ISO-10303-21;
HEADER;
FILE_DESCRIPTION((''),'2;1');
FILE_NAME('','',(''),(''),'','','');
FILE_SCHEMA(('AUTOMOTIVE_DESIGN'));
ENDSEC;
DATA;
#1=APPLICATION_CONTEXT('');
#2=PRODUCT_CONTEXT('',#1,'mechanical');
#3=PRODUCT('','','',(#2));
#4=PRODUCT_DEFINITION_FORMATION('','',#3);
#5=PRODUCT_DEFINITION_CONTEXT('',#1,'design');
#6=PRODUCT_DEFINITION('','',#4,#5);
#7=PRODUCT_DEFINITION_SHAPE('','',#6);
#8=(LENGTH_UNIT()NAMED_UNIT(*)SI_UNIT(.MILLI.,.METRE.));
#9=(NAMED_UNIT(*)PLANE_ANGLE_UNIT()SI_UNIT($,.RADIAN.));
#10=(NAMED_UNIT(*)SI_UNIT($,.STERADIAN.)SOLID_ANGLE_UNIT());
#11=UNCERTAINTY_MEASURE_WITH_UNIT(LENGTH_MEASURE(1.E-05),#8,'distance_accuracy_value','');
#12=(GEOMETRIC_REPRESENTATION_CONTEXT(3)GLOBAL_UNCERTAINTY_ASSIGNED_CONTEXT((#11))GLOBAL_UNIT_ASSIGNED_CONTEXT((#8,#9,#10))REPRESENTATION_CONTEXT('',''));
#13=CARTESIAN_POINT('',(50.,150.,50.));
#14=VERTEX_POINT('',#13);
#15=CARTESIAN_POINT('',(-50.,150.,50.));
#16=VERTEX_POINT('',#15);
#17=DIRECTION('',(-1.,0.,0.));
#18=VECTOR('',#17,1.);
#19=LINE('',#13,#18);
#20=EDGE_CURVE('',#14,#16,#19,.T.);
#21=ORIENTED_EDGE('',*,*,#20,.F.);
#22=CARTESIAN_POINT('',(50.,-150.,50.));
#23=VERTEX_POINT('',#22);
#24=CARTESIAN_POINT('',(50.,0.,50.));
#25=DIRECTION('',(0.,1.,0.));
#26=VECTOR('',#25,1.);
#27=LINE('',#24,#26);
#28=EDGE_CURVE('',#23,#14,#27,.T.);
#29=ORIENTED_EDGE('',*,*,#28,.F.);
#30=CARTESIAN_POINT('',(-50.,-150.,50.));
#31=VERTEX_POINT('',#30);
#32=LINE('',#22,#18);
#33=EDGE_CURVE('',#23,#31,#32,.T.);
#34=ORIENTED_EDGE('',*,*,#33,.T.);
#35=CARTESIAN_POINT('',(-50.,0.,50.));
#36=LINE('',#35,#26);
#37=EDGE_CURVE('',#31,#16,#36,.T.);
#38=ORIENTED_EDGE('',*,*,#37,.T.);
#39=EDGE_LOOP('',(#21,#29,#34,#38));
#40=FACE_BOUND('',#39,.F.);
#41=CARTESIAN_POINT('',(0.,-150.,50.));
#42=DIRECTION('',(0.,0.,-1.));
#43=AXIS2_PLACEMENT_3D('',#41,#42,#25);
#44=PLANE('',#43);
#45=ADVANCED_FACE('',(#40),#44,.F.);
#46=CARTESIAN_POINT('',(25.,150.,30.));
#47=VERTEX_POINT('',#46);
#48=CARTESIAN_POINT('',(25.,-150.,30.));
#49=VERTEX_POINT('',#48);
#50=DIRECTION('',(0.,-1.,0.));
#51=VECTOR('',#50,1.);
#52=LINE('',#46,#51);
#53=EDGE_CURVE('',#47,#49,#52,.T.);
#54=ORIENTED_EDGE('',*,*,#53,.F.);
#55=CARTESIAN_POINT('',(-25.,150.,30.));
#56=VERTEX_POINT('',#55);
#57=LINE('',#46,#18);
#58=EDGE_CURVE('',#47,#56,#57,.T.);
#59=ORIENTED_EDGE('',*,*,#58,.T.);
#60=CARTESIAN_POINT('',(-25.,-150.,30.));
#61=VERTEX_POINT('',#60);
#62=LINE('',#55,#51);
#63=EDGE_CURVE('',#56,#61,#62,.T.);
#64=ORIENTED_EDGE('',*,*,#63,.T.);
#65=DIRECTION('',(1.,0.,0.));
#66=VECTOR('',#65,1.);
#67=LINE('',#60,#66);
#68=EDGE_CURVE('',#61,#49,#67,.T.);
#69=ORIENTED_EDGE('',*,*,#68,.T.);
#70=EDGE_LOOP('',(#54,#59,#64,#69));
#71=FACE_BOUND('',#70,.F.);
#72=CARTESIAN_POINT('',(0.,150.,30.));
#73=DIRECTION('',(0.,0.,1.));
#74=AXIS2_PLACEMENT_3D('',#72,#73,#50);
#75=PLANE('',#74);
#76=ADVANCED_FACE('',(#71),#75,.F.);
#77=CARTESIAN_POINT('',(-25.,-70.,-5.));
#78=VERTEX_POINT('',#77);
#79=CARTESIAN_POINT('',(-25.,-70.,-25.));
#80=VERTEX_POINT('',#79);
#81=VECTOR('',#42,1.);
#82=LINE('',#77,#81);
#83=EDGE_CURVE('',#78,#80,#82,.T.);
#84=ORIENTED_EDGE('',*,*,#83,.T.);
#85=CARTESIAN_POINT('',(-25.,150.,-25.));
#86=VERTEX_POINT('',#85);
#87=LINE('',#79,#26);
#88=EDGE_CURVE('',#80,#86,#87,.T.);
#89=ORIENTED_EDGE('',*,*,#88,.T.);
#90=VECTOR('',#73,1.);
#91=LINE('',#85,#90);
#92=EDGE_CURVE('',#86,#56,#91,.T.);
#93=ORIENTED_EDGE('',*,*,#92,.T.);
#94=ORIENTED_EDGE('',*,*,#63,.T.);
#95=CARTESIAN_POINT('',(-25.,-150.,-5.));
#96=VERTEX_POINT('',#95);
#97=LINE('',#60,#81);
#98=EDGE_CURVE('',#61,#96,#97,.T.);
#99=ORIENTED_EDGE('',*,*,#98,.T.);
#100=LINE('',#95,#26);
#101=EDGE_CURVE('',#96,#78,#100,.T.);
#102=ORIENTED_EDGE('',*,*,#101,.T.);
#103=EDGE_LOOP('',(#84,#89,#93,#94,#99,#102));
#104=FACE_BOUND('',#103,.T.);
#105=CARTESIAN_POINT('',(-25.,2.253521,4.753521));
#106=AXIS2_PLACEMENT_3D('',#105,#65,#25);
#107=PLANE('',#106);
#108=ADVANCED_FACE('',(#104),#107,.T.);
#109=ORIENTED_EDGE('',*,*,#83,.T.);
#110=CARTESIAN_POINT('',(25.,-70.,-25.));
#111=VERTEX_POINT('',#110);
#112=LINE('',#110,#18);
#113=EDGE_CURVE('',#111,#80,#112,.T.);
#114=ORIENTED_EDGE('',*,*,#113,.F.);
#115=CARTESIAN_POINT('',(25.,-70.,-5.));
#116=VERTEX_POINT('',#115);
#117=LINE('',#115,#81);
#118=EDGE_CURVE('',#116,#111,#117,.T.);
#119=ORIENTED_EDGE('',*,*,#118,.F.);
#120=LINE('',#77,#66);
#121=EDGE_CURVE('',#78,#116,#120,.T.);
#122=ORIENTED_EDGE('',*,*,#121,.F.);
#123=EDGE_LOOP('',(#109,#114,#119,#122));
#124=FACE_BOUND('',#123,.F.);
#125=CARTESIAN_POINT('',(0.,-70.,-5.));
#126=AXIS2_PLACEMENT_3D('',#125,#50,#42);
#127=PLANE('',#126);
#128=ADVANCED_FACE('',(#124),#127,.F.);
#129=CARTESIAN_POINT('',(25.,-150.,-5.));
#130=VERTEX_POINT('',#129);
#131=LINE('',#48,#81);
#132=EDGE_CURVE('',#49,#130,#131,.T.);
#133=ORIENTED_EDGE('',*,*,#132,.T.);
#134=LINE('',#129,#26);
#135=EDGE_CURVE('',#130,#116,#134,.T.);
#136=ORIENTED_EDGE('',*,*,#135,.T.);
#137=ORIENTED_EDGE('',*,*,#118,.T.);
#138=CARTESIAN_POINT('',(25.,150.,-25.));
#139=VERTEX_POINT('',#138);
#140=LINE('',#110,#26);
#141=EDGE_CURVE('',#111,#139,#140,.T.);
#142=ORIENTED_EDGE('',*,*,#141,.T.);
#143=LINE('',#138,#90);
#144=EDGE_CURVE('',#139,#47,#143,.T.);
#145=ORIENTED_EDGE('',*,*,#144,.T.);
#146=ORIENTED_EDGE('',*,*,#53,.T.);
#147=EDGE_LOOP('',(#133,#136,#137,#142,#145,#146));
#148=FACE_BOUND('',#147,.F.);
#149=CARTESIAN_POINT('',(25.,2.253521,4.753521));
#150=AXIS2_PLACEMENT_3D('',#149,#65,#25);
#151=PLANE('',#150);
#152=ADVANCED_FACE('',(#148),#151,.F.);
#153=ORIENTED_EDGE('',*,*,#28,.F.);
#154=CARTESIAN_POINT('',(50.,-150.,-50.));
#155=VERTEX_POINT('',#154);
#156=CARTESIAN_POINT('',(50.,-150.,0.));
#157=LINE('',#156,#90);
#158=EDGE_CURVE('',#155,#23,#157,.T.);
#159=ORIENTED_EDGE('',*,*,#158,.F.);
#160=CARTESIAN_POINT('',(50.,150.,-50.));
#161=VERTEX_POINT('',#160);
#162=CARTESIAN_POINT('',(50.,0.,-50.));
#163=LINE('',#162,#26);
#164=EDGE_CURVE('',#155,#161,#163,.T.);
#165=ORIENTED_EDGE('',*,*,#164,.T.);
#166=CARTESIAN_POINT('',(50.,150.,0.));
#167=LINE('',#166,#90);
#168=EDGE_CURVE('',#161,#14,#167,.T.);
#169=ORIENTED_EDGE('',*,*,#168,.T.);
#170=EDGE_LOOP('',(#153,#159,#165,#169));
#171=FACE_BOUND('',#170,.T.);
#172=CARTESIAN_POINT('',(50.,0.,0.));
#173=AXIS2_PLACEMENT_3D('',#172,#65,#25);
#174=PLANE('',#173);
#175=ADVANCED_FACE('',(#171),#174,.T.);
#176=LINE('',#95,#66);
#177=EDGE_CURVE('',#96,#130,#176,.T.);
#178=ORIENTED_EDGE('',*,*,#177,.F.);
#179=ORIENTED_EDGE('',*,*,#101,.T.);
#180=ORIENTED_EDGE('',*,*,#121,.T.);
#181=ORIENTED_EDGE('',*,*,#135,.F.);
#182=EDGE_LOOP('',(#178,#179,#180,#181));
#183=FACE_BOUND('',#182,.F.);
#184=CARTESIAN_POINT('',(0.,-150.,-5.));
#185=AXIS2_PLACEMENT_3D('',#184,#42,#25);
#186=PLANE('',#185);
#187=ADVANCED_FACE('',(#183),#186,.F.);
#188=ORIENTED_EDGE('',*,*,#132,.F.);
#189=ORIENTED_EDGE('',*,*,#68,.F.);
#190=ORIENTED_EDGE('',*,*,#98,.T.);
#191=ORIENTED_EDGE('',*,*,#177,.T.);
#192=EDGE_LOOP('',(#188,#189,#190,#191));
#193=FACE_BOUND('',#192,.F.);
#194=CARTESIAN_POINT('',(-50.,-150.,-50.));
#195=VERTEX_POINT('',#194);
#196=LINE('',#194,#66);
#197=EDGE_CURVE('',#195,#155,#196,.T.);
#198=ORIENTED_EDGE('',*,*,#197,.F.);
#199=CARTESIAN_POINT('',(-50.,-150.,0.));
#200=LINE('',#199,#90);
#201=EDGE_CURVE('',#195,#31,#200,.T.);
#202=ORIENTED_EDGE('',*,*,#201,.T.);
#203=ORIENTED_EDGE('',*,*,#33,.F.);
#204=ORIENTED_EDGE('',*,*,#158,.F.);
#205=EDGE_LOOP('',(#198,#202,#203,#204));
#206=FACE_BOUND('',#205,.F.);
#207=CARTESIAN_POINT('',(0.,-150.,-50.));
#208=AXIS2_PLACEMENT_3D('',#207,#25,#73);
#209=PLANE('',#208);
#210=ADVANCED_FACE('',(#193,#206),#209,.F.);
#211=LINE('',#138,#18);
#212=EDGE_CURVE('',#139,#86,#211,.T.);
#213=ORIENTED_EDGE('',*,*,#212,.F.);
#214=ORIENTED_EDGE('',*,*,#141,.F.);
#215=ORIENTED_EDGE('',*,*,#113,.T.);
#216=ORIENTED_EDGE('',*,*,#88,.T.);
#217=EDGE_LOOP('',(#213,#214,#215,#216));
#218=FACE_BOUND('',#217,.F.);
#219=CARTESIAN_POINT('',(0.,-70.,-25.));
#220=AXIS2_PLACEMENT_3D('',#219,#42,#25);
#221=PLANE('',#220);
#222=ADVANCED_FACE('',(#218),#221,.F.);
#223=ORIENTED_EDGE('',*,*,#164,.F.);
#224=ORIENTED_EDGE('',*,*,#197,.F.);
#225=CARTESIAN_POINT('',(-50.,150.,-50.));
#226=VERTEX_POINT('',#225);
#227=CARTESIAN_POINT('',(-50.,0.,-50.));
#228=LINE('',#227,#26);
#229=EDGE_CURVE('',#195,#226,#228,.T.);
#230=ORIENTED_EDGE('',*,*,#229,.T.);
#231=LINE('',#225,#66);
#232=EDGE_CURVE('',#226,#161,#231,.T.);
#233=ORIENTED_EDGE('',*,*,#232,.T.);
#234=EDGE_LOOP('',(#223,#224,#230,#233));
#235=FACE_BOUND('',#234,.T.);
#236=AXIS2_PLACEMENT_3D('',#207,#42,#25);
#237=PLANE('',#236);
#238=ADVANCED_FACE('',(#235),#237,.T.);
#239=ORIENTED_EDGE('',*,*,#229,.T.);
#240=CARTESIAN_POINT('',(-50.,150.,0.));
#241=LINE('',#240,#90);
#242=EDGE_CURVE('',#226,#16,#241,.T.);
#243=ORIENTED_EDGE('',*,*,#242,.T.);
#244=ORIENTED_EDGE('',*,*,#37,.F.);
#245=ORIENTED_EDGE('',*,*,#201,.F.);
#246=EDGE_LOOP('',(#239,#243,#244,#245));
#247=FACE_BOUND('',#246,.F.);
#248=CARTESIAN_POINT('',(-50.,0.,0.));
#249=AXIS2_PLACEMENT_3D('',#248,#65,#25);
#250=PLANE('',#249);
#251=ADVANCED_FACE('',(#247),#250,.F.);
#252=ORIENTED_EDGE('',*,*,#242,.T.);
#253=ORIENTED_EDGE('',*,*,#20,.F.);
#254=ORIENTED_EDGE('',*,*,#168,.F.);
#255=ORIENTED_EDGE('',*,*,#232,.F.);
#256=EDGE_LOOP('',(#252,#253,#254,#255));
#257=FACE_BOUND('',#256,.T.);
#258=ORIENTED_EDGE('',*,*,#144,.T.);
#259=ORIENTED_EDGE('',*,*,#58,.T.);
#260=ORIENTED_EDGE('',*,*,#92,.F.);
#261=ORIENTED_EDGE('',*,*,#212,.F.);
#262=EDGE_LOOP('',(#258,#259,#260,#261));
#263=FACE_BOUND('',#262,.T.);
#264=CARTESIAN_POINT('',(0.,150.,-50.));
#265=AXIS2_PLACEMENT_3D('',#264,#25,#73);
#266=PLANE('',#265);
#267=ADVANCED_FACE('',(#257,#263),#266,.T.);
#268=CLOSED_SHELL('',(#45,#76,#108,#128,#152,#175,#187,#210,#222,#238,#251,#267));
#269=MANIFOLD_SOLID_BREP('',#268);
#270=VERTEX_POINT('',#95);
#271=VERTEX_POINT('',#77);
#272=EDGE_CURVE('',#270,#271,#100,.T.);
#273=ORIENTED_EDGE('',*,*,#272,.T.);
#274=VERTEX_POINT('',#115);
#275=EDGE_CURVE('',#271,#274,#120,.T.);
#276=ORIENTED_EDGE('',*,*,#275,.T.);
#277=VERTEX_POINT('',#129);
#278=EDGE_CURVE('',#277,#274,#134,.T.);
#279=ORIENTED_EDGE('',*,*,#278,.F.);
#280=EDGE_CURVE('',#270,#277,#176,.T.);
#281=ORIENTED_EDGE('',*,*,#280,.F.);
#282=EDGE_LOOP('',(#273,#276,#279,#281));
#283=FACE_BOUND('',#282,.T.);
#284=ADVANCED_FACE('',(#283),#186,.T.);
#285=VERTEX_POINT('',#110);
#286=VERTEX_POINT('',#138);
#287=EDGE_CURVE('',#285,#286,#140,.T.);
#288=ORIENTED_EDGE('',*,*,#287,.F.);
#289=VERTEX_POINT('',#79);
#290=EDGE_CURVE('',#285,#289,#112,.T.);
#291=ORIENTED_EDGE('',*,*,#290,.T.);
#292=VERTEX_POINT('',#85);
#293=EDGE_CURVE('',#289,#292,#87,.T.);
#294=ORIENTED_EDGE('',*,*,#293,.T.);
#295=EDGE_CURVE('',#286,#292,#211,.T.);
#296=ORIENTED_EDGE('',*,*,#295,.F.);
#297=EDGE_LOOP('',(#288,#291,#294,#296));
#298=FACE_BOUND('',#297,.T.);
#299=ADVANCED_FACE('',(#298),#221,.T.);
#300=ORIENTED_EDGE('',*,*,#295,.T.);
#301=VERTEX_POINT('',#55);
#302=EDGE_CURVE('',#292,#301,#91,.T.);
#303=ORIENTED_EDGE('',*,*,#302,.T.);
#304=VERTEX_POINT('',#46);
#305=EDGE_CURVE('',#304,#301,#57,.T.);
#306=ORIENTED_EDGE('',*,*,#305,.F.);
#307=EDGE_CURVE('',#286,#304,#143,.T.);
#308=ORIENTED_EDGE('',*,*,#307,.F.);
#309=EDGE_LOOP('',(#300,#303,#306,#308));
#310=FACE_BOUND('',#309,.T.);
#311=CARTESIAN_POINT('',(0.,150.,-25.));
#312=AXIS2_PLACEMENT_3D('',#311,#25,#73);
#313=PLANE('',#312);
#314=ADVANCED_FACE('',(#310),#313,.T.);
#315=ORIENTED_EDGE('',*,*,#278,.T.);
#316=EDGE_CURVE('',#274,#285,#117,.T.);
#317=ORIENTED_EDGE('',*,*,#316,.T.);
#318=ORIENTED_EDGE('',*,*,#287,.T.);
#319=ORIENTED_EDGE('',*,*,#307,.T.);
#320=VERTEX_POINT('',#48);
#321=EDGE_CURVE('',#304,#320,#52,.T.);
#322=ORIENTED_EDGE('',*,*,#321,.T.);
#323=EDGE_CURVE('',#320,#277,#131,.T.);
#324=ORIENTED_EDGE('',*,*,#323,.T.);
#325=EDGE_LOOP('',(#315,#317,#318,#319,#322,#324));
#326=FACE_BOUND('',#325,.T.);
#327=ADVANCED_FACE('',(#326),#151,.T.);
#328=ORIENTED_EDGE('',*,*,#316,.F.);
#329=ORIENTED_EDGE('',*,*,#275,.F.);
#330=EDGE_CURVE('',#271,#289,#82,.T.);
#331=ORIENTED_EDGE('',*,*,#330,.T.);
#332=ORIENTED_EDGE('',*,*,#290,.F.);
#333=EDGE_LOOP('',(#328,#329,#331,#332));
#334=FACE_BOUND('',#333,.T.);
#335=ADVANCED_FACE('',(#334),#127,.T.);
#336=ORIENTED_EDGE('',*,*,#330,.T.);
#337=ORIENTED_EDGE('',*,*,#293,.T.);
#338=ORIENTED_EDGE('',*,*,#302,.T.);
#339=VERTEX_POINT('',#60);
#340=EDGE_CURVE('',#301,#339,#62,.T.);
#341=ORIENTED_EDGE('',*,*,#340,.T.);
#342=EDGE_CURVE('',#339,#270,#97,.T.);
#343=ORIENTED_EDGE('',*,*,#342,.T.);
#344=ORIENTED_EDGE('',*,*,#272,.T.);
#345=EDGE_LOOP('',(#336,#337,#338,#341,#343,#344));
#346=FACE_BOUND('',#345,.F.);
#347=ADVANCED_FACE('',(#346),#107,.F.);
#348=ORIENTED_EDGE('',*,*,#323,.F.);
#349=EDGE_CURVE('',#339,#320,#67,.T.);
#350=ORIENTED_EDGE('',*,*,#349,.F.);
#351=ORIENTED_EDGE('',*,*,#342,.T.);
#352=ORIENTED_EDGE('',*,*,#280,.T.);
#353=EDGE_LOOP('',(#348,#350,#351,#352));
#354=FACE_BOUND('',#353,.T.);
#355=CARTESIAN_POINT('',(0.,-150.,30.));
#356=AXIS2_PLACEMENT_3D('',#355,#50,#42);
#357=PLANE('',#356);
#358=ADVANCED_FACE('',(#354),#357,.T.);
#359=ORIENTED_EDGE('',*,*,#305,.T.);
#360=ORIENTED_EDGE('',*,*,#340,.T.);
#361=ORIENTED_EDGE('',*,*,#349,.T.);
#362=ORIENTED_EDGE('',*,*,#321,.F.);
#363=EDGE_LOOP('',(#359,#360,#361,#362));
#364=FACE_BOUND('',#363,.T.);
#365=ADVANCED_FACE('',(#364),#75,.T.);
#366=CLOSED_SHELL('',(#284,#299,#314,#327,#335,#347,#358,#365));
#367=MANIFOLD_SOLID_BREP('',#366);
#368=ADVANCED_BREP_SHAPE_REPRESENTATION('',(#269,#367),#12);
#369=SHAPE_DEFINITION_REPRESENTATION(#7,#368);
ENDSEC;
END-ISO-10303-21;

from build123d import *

# Parameters (mm, degrees)
F0_W     = 300
F0_H     = 100
F1_DEPTH = 50
F3_DEPTH = 25


with BuildPart() as f1:
    # F0 (on Right) → F1 (new body, symmetric)
    with BuildSketch(Plane.YZ):
        Rectangle(F0_W, F0_H)
    extrude(amount=F1_DEPTH, both=True)


with BuildPart() as f3:
    # F2 (on Right) → F3 (new body, symmetric)
    with BuildSketch(Plane.YZ):
        Polygon((150, 30), (-150, 30), (-150, -5), (-70, -5), (-70, -25), (150, -25), align=None)
    extrude(amount=F3_DEPTH, both=True)


with BuildPart() as f1_1:
    add(f1.part)

    # F4: cut F3
    add(f3.part, mode=Mode.SUBTRACT)


solid = Compound([f3.part, f1_1.part])
